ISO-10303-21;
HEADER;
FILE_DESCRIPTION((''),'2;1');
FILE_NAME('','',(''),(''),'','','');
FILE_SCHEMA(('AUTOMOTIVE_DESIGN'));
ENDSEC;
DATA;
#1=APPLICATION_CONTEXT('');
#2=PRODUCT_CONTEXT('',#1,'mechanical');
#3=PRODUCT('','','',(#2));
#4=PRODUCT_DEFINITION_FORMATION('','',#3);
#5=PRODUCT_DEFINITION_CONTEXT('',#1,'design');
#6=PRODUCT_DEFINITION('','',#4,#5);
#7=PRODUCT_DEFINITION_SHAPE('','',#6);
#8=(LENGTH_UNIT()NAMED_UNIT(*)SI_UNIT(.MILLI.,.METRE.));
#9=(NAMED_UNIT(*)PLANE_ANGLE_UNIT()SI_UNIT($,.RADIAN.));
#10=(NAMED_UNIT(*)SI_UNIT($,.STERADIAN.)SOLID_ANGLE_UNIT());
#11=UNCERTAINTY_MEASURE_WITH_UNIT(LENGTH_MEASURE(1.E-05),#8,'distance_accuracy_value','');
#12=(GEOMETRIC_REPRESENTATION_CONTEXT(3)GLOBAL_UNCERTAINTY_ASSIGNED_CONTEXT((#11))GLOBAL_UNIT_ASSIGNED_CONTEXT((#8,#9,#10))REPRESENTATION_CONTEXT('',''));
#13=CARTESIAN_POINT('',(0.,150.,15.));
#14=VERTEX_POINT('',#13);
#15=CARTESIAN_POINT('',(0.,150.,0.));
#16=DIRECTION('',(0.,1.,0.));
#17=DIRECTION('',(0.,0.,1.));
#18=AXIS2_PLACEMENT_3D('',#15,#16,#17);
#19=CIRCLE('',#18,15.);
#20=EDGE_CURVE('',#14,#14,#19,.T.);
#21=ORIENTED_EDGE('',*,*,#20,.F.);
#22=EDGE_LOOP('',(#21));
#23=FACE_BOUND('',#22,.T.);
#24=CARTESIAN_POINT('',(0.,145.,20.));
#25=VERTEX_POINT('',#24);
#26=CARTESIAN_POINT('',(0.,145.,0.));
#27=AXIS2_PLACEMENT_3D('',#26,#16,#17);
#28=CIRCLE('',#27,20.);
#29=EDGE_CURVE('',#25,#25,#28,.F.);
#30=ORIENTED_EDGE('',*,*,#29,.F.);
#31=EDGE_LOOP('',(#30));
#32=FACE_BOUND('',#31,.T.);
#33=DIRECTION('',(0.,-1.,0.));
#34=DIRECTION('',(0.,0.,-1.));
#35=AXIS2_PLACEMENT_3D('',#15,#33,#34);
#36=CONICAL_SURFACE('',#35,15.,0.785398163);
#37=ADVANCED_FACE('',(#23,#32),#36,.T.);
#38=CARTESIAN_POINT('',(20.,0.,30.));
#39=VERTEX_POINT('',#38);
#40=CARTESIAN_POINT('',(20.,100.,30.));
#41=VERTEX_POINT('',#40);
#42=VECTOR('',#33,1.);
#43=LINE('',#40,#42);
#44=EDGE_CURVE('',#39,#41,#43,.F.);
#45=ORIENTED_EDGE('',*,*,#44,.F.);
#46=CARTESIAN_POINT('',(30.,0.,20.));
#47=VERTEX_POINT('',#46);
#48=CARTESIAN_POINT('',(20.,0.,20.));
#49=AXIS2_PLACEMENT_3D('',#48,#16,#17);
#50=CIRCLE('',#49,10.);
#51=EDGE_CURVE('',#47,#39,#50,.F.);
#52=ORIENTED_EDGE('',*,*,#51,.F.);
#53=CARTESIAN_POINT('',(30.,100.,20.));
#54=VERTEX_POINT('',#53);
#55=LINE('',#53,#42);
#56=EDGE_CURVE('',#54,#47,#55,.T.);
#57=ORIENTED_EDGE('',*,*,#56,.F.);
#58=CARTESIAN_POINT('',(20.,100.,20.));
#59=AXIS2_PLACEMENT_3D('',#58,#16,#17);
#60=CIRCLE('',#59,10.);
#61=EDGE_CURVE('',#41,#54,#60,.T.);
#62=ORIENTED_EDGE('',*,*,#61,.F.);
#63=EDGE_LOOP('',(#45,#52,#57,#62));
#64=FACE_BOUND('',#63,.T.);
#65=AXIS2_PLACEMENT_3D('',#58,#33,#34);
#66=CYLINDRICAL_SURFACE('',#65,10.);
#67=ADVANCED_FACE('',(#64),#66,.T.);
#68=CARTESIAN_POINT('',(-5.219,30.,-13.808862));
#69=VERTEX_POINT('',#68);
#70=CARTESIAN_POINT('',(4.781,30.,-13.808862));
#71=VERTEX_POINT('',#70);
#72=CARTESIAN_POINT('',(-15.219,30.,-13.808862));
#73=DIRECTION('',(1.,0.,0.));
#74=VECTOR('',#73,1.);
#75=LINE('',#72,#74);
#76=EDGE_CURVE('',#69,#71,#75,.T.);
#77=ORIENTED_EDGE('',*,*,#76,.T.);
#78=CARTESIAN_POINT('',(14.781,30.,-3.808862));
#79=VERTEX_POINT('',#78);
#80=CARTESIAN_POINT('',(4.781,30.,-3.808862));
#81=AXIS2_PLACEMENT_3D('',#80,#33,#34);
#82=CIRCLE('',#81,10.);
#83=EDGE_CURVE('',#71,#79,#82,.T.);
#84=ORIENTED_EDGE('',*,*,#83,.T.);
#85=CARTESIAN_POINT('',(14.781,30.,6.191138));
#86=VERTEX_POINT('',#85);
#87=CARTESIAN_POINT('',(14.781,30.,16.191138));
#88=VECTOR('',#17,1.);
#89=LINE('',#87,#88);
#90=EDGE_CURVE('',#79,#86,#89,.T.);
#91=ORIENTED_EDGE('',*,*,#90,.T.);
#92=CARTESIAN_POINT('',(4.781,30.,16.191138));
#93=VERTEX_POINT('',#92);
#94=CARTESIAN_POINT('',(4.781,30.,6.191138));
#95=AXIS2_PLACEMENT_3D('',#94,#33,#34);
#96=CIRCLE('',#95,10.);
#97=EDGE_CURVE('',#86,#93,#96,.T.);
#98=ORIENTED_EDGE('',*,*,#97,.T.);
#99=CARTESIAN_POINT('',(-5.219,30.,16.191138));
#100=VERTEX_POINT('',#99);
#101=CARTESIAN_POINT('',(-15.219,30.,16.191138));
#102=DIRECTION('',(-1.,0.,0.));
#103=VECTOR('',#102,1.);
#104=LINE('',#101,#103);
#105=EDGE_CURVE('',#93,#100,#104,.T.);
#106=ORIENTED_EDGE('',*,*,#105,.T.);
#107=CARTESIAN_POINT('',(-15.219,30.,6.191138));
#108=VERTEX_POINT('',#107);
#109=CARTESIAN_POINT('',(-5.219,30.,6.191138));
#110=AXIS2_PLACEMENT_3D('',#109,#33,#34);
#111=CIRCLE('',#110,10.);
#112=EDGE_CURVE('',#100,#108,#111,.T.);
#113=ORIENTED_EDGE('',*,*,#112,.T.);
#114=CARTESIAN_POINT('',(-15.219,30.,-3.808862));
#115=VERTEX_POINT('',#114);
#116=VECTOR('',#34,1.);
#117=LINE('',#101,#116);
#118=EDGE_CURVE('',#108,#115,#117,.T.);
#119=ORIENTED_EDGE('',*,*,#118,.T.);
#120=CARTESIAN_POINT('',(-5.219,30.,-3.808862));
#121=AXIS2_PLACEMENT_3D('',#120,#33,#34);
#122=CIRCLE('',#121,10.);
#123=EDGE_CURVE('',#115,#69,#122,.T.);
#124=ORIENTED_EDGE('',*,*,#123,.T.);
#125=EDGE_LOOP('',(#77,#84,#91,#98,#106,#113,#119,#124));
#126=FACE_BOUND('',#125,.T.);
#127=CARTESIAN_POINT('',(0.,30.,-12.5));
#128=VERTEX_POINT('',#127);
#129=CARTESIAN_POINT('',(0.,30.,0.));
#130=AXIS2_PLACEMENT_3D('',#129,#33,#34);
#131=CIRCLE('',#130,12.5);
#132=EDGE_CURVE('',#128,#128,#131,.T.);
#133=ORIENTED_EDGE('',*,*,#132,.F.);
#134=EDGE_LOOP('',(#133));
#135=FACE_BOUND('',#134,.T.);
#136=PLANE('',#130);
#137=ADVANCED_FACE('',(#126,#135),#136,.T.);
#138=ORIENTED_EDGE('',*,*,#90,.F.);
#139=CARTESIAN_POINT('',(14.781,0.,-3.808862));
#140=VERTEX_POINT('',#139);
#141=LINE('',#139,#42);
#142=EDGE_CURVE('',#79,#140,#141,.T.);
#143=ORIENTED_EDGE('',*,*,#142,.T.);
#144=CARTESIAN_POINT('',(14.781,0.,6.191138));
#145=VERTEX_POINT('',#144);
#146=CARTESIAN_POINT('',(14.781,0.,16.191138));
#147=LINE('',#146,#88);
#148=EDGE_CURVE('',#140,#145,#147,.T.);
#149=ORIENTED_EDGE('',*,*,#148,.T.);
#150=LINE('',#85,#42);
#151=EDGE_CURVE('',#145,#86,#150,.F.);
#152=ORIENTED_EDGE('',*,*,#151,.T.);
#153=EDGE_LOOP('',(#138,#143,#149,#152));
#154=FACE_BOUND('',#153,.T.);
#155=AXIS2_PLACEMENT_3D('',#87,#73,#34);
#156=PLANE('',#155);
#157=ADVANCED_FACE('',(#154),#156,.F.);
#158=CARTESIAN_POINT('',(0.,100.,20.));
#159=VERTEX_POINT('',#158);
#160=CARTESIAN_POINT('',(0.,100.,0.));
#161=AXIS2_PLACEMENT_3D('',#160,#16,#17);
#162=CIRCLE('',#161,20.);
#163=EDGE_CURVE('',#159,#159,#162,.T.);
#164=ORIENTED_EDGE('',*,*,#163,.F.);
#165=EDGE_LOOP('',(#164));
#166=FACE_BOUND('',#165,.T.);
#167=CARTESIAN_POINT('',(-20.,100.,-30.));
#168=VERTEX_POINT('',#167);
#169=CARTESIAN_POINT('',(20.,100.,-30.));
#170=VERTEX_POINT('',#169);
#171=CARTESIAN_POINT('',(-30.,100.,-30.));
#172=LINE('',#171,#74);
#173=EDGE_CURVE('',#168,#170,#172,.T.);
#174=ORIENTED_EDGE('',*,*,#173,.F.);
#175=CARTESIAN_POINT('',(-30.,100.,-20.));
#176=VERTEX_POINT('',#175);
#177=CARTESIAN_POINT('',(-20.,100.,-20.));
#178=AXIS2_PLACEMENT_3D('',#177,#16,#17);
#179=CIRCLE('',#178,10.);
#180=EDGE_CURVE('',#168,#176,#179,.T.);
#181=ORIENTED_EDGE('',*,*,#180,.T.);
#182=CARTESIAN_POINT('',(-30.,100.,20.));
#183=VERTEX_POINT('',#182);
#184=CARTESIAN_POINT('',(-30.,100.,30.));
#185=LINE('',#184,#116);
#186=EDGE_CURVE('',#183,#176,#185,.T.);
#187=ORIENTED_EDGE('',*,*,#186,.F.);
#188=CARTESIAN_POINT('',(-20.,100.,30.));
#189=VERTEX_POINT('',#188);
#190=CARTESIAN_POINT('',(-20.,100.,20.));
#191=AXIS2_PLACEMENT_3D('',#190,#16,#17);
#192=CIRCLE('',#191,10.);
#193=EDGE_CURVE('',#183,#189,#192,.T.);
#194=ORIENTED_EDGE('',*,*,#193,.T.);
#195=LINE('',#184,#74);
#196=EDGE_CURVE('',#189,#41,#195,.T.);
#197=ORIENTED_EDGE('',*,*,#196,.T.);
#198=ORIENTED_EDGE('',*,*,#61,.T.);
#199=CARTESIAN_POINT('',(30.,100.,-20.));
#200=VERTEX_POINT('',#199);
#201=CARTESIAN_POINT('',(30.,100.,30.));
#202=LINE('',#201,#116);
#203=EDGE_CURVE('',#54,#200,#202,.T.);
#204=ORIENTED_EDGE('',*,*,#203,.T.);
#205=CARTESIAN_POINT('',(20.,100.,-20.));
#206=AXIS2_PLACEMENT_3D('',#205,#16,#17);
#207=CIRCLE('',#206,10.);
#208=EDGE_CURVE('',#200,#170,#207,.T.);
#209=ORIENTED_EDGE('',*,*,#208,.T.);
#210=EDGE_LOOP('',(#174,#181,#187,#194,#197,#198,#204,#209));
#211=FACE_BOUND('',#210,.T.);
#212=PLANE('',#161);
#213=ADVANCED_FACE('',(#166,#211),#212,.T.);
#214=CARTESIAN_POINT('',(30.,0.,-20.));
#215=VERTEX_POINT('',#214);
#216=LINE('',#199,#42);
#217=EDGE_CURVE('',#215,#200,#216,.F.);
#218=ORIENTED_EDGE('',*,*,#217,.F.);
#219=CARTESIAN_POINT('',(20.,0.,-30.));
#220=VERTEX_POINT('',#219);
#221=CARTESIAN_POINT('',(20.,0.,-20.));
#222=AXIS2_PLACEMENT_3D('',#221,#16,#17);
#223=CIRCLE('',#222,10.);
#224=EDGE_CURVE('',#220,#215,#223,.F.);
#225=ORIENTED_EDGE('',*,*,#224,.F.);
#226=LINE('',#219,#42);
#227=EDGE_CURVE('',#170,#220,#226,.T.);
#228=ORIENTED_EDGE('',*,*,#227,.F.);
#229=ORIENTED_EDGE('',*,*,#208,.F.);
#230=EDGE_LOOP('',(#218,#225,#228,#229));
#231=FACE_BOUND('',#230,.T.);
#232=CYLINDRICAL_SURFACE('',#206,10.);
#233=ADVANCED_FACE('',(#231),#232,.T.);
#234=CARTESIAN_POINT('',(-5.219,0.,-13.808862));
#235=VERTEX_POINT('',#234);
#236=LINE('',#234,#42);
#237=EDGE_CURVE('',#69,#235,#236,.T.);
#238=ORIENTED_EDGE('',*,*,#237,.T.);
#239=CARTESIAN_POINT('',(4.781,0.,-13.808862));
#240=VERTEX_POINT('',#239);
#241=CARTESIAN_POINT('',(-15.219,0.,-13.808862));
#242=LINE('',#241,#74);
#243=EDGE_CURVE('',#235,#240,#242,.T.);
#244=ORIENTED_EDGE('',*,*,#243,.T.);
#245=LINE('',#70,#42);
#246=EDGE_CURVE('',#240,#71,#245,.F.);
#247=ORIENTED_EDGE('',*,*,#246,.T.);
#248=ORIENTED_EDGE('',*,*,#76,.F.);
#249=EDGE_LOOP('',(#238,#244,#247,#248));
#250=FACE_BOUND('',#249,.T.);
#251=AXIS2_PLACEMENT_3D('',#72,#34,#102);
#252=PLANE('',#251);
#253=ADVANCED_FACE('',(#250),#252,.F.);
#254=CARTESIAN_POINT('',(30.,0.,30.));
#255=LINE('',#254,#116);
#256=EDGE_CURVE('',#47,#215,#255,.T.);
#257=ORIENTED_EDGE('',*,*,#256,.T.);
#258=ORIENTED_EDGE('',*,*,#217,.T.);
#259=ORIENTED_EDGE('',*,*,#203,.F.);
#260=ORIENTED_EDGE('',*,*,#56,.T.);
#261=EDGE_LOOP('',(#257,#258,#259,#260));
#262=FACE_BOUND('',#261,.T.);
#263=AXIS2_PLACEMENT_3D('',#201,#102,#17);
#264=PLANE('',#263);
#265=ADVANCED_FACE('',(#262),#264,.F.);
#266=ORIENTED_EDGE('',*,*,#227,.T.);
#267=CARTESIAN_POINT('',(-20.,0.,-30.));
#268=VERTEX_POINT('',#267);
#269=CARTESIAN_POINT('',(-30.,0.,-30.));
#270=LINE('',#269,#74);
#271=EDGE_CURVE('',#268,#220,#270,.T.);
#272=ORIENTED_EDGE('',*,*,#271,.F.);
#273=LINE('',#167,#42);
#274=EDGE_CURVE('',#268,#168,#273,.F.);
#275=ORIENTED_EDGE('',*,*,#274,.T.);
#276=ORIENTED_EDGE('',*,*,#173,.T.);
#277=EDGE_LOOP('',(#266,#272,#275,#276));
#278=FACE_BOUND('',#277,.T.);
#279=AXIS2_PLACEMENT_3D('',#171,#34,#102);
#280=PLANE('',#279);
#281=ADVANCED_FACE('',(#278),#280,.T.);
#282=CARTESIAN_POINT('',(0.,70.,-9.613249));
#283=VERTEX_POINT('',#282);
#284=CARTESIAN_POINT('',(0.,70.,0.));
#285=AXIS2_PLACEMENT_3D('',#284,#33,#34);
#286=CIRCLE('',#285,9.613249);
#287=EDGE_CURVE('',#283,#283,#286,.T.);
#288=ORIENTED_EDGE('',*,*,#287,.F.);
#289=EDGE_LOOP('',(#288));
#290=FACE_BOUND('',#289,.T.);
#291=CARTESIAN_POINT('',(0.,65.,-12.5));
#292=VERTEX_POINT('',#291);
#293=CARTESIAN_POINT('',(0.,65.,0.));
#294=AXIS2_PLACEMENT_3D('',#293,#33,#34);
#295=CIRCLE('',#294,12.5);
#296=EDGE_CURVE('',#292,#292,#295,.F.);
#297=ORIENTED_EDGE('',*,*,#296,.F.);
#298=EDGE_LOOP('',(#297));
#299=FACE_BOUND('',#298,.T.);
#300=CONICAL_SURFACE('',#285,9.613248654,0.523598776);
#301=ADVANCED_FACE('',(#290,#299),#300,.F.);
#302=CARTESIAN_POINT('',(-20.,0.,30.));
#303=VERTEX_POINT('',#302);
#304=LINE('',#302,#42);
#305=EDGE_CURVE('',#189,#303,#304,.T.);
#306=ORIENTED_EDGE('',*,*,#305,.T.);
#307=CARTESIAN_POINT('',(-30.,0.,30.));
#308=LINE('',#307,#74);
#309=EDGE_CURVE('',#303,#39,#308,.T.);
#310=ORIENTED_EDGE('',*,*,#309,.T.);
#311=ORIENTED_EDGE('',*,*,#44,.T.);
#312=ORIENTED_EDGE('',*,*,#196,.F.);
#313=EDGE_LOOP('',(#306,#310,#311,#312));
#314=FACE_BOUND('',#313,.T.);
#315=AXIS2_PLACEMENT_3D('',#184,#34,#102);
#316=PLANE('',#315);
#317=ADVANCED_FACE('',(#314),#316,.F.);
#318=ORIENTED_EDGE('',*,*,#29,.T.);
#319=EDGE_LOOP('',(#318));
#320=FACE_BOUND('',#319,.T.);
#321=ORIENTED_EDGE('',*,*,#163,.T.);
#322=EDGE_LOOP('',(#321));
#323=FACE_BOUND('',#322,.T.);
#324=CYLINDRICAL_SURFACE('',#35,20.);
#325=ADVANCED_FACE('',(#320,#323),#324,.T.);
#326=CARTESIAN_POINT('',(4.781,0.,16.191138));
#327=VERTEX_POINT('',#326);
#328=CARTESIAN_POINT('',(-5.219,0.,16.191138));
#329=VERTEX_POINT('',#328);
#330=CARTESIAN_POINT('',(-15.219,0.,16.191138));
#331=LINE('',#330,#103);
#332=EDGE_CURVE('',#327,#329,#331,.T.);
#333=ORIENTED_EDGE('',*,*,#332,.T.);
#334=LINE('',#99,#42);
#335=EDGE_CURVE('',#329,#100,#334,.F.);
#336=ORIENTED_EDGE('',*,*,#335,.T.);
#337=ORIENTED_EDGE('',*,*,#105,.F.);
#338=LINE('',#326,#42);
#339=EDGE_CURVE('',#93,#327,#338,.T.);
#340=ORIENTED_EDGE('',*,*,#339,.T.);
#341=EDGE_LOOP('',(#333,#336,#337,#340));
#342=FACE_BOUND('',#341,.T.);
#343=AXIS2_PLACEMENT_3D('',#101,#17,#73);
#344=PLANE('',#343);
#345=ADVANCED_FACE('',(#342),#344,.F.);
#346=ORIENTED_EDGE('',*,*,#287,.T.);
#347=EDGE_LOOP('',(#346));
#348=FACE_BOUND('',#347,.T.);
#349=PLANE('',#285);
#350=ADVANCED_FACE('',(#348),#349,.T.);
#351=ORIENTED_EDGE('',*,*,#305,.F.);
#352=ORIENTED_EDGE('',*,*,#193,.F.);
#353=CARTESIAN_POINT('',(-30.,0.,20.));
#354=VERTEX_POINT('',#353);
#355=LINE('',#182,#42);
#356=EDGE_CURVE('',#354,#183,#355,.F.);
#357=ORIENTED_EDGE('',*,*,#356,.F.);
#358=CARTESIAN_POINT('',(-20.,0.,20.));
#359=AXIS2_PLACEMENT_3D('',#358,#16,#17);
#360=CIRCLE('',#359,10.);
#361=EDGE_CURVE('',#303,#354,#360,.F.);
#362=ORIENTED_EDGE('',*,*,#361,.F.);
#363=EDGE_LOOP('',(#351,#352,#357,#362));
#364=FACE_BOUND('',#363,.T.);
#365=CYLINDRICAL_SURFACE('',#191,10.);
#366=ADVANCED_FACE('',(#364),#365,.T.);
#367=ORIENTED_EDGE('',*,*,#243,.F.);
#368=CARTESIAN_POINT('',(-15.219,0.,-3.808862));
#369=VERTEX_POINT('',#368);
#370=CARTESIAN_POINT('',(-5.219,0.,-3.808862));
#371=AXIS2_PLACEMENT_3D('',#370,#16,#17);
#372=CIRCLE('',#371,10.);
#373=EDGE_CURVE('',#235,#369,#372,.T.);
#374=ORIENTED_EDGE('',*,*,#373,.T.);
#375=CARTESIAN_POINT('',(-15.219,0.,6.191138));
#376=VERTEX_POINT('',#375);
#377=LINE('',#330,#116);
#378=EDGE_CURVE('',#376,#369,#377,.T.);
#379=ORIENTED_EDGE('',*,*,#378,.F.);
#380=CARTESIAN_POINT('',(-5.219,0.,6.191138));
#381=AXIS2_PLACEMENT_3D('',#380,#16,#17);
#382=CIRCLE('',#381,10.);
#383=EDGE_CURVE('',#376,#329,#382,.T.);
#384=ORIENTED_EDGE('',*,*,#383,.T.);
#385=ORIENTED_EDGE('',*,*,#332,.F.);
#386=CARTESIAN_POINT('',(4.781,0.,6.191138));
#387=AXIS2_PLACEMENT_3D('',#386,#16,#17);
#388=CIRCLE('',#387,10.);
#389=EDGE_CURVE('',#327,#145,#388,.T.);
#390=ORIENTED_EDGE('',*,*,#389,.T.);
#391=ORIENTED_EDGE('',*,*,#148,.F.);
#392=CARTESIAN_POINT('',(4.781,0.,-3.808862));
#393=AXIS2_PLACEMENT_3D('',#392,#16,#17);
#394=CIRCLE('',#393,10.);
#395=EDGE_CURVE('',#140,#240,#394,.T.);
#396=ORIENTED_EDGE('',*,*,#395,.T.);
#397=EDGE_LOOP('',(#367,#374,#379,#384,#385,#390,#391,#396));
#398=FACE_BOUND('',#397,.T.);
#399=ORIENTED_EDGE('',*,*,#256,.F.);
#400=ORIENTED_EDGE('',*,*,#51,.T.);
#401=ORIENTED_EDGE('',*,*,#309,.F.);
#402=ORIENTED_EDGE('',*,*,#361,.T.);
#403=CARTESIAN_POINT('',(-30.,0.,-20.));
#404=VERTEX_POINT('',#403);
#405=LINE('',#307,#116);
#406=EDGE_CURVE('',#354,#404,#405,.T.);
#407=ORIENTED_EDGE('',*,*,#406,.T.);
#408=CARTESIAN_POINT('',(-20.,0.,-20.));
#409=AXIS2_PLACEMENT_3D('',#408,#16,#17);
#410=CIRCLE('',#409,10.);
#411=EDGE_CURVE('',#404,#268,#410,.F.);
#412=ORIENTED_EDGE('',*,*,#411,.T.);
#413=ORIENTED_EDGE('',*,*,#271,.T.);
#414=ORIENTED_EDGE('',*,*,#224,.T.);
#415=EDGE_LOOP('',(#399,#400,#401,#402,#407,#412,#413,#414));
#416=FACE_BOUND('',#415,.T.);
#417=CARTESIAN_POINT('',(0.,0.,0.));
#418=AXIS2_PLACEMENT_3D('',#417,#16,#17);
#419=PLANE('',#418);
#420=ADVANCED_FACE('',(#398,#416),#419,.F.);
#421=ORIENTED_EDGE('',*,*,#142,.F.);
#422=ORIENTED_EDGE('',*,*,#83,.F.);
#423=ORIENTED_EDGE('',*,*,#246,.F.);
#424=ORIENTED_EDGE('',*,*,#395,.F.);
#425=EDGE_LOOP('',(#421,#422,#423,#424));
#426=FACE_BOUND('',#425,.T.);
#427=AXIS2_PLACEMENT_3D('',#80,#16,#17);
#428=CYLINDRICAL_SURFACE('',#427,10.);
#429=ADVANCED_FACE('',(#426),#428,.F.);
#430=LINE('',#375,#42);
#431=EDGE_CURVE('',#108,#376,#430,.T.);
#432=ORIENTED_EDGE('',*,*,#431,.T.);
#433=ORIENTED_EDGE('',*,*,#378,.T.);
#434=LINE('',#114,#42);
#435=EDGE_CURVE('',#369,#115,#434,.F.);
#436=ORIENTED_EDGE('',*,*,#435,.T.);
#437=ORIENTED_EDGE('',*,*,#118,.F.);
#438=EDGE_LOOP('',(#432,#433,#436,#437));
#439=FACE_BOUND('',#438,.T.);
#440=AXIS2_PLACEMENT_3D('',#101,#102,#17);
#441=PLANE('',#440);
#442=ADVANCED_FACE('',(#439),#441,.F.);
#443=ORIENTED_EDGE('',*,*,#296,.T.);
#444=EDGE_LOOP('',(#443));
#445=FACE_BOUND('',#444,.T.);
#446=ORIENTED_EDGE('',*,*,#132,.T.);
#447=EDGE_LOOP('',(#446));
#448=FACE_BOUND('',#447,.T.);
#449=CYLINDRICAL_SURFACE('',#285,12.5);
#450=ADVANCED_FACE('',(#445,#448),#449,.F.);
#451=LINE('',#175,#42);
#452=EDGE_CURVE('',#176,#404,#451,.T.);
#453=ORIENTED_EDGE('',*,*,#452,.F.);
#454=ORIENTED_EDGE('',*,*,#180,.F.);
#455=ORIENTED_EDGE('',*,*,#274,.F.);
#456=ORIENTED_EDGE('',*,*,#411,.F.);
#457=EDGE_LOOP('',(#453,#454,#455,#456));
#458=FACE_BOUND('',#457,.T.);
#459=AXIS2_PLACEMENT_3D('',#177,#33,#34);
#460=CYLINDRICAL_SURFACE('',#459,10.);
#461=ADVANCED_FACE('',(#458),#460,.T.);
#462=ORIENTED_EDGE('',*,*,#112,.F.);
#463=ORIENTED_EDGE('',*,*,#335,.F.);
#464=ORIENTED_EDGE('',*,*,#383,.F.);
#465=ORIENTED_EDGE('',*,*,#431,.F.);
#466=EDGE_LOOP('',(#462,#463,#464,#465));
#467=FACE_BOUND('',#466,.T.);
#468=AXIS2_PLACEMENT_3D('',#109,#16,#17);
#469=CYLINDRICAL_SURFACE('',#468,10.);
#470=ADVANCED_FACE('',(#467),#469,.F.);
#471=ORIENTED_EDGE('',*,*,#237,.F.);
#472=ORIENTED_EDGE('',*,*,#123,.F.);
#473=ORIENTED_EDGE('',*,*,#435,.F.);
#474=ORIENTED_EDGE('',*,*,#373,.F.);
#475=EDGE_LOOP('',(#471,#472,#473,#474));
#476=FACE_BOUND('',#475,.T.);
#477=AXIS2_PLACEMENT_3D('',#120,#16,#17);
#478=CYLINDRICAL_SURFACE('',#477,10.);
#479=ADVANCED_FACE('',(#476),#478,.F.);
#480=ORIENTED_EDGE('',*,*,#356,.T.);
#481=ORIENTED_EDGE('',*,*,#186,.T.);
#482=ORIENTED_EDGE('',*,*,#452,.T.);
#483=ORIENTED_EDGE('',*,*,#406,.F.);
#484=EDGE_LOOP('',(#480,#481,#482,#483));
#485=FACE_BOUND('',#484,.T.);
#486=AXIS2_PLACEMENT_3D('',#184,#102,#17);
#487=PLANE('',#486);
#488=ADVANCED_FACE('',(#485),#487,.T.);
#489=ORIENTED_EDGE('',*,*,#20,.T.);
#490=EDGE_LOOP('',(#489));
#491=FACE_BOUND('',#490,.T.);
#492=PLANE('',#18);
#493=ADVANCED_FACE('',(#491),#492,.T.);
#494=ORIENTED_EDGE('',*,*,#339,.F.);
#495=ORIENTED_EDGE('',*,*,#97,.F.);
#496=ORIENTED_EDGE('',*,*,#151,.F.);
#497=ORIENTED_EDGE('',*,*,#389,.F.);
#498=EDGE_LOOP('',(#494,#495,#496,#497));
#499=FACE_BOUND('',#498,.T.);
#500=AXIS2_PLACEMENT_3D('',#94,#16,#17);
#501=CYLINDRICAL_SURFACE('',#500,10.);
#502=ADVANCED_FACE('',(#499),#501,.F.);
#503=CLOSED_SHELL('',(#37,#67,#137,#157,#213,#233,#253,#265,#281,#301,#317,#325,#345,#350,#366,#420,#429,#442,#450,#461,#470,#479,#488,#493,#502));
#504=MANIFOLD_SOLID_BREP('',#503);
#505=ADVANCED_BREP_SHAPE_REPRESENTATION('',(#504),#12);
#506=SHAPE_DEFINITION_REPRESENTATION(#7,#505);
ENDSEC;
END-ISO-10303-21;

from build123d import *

# Parameters (mm, degrees)
SKETCH1_W           = 60
SKETCH1_H           = 60
BOSS_EXTRUDE1_DEPTH = 100
SKETCH2_R           = 20
BOSS_EXTRUDE2_DEPTH = 50
SKETCH3_W           = 30
SKETCH3_H           = 30
CUT_EXTRUDE1_DEPTH  = 30
SKETCH6_R           = 12.5
CUT_EXTRUDE7_DEPTH  = 40
FILLET1_R           = 10
FILLET2_R           = 10
CHAMFER1_SIZE       = 5
CHAMFER2_SIZE       = 5
CHAMFER2_SIZE2      = 2.886751346


with BuildPart() as part:
    # Sketch1 → Boss-Extrude1 (new body)
    with BuildSketch(Plane(origin=(0, 0, 0), x_dir=(1, 0, 0), z_dir=(0, 1, 0))):
        Rectangle(SKETCH1_W, SKETCH1_H)
    extrude(amount=BOSS_EXTRUDE1_DEPTH)

    # Sketch2 → Boss-Extrude2 (add)
    with BuildSketch(Plane(origin=(0, 100, 0), x_dir=(1, 0, 0), z_dir=(0, 1, 0))):
        with Locations(Location((0, 0, 0), (0, 0, 270))):
            Circle(SKETCH2_R)
    extrude(amount=BOSS_EXTRUDE2_DEPTH)

    # Sketch3 → Cut-Extrude1 (cut)
    with BuildSketch(Plane.XZ):
        with Locations((-0.219000236, 1.191138379)):
            Rectangle(SKETCH3_W, SKETCH3_H)
    extrude(amount=-CUT_EXTRUDE1_DEPTH, mode=Mode.SUBTRACT)

    # Sketch6 → Cut-Extrude7 (cut)
    with BuildSketch(Plane.XZ.offset(-30)):
        with Locations(Location((0, 0, 0), (0, 0, 270))):
            Circle(SKETCH6_R)
    extrude(amount=-CUT_EXTRUDE7_DEPTH, mode=Mode.SUBTRACT)

    # Fillet1
    fillet1_edges = [part.edges().sort_by_distance(p)[0] for p in [
        (-30, 50, -30),
        (-30, 50, 30),
        (30, 50, 30),
        (30, 50, -30),
    ]]
    fillet(fillet1_edges, radius=FILLET1_R)

    # Fillet2
    fillet2_edges = [part.edges().sort_by_distance(p)[0] for p in [
        (-15.219000236, 15, -13.808861621),
        (-15.219000236, 15, 16.191138379),
        (14.780999764, 15, 16.191138379),
        (14.780999764, 15, -13.808861621),
    ]]
    fillet(fillet2_edges, radius=FILLET2_R)

    # Chamfer1
    chamfer1_edges = [part.edges().sort_by_distance(p)[0] for p in [
        (0, 150, -20),
    ]]
    chamfer(chamfer1_edges, length=CHAMFER1_SIZE)

    # Chamfer2
    chamfer2_edges = [part.edges().sort_by_distance(p)[0] for p in [
        (0, 70, 12.5),
    ]]
    chamfer2_side = [part.faces().sort_by_distance(p)[0] for p in [
        (0, 50, 12.5),
    ]]
    chamfer(chamfer2_edges, length=CHAMFER2_SIZE, length2=CHAMFER2_SIZE2, reference=chamfer2_side[0])


solid = part.part
